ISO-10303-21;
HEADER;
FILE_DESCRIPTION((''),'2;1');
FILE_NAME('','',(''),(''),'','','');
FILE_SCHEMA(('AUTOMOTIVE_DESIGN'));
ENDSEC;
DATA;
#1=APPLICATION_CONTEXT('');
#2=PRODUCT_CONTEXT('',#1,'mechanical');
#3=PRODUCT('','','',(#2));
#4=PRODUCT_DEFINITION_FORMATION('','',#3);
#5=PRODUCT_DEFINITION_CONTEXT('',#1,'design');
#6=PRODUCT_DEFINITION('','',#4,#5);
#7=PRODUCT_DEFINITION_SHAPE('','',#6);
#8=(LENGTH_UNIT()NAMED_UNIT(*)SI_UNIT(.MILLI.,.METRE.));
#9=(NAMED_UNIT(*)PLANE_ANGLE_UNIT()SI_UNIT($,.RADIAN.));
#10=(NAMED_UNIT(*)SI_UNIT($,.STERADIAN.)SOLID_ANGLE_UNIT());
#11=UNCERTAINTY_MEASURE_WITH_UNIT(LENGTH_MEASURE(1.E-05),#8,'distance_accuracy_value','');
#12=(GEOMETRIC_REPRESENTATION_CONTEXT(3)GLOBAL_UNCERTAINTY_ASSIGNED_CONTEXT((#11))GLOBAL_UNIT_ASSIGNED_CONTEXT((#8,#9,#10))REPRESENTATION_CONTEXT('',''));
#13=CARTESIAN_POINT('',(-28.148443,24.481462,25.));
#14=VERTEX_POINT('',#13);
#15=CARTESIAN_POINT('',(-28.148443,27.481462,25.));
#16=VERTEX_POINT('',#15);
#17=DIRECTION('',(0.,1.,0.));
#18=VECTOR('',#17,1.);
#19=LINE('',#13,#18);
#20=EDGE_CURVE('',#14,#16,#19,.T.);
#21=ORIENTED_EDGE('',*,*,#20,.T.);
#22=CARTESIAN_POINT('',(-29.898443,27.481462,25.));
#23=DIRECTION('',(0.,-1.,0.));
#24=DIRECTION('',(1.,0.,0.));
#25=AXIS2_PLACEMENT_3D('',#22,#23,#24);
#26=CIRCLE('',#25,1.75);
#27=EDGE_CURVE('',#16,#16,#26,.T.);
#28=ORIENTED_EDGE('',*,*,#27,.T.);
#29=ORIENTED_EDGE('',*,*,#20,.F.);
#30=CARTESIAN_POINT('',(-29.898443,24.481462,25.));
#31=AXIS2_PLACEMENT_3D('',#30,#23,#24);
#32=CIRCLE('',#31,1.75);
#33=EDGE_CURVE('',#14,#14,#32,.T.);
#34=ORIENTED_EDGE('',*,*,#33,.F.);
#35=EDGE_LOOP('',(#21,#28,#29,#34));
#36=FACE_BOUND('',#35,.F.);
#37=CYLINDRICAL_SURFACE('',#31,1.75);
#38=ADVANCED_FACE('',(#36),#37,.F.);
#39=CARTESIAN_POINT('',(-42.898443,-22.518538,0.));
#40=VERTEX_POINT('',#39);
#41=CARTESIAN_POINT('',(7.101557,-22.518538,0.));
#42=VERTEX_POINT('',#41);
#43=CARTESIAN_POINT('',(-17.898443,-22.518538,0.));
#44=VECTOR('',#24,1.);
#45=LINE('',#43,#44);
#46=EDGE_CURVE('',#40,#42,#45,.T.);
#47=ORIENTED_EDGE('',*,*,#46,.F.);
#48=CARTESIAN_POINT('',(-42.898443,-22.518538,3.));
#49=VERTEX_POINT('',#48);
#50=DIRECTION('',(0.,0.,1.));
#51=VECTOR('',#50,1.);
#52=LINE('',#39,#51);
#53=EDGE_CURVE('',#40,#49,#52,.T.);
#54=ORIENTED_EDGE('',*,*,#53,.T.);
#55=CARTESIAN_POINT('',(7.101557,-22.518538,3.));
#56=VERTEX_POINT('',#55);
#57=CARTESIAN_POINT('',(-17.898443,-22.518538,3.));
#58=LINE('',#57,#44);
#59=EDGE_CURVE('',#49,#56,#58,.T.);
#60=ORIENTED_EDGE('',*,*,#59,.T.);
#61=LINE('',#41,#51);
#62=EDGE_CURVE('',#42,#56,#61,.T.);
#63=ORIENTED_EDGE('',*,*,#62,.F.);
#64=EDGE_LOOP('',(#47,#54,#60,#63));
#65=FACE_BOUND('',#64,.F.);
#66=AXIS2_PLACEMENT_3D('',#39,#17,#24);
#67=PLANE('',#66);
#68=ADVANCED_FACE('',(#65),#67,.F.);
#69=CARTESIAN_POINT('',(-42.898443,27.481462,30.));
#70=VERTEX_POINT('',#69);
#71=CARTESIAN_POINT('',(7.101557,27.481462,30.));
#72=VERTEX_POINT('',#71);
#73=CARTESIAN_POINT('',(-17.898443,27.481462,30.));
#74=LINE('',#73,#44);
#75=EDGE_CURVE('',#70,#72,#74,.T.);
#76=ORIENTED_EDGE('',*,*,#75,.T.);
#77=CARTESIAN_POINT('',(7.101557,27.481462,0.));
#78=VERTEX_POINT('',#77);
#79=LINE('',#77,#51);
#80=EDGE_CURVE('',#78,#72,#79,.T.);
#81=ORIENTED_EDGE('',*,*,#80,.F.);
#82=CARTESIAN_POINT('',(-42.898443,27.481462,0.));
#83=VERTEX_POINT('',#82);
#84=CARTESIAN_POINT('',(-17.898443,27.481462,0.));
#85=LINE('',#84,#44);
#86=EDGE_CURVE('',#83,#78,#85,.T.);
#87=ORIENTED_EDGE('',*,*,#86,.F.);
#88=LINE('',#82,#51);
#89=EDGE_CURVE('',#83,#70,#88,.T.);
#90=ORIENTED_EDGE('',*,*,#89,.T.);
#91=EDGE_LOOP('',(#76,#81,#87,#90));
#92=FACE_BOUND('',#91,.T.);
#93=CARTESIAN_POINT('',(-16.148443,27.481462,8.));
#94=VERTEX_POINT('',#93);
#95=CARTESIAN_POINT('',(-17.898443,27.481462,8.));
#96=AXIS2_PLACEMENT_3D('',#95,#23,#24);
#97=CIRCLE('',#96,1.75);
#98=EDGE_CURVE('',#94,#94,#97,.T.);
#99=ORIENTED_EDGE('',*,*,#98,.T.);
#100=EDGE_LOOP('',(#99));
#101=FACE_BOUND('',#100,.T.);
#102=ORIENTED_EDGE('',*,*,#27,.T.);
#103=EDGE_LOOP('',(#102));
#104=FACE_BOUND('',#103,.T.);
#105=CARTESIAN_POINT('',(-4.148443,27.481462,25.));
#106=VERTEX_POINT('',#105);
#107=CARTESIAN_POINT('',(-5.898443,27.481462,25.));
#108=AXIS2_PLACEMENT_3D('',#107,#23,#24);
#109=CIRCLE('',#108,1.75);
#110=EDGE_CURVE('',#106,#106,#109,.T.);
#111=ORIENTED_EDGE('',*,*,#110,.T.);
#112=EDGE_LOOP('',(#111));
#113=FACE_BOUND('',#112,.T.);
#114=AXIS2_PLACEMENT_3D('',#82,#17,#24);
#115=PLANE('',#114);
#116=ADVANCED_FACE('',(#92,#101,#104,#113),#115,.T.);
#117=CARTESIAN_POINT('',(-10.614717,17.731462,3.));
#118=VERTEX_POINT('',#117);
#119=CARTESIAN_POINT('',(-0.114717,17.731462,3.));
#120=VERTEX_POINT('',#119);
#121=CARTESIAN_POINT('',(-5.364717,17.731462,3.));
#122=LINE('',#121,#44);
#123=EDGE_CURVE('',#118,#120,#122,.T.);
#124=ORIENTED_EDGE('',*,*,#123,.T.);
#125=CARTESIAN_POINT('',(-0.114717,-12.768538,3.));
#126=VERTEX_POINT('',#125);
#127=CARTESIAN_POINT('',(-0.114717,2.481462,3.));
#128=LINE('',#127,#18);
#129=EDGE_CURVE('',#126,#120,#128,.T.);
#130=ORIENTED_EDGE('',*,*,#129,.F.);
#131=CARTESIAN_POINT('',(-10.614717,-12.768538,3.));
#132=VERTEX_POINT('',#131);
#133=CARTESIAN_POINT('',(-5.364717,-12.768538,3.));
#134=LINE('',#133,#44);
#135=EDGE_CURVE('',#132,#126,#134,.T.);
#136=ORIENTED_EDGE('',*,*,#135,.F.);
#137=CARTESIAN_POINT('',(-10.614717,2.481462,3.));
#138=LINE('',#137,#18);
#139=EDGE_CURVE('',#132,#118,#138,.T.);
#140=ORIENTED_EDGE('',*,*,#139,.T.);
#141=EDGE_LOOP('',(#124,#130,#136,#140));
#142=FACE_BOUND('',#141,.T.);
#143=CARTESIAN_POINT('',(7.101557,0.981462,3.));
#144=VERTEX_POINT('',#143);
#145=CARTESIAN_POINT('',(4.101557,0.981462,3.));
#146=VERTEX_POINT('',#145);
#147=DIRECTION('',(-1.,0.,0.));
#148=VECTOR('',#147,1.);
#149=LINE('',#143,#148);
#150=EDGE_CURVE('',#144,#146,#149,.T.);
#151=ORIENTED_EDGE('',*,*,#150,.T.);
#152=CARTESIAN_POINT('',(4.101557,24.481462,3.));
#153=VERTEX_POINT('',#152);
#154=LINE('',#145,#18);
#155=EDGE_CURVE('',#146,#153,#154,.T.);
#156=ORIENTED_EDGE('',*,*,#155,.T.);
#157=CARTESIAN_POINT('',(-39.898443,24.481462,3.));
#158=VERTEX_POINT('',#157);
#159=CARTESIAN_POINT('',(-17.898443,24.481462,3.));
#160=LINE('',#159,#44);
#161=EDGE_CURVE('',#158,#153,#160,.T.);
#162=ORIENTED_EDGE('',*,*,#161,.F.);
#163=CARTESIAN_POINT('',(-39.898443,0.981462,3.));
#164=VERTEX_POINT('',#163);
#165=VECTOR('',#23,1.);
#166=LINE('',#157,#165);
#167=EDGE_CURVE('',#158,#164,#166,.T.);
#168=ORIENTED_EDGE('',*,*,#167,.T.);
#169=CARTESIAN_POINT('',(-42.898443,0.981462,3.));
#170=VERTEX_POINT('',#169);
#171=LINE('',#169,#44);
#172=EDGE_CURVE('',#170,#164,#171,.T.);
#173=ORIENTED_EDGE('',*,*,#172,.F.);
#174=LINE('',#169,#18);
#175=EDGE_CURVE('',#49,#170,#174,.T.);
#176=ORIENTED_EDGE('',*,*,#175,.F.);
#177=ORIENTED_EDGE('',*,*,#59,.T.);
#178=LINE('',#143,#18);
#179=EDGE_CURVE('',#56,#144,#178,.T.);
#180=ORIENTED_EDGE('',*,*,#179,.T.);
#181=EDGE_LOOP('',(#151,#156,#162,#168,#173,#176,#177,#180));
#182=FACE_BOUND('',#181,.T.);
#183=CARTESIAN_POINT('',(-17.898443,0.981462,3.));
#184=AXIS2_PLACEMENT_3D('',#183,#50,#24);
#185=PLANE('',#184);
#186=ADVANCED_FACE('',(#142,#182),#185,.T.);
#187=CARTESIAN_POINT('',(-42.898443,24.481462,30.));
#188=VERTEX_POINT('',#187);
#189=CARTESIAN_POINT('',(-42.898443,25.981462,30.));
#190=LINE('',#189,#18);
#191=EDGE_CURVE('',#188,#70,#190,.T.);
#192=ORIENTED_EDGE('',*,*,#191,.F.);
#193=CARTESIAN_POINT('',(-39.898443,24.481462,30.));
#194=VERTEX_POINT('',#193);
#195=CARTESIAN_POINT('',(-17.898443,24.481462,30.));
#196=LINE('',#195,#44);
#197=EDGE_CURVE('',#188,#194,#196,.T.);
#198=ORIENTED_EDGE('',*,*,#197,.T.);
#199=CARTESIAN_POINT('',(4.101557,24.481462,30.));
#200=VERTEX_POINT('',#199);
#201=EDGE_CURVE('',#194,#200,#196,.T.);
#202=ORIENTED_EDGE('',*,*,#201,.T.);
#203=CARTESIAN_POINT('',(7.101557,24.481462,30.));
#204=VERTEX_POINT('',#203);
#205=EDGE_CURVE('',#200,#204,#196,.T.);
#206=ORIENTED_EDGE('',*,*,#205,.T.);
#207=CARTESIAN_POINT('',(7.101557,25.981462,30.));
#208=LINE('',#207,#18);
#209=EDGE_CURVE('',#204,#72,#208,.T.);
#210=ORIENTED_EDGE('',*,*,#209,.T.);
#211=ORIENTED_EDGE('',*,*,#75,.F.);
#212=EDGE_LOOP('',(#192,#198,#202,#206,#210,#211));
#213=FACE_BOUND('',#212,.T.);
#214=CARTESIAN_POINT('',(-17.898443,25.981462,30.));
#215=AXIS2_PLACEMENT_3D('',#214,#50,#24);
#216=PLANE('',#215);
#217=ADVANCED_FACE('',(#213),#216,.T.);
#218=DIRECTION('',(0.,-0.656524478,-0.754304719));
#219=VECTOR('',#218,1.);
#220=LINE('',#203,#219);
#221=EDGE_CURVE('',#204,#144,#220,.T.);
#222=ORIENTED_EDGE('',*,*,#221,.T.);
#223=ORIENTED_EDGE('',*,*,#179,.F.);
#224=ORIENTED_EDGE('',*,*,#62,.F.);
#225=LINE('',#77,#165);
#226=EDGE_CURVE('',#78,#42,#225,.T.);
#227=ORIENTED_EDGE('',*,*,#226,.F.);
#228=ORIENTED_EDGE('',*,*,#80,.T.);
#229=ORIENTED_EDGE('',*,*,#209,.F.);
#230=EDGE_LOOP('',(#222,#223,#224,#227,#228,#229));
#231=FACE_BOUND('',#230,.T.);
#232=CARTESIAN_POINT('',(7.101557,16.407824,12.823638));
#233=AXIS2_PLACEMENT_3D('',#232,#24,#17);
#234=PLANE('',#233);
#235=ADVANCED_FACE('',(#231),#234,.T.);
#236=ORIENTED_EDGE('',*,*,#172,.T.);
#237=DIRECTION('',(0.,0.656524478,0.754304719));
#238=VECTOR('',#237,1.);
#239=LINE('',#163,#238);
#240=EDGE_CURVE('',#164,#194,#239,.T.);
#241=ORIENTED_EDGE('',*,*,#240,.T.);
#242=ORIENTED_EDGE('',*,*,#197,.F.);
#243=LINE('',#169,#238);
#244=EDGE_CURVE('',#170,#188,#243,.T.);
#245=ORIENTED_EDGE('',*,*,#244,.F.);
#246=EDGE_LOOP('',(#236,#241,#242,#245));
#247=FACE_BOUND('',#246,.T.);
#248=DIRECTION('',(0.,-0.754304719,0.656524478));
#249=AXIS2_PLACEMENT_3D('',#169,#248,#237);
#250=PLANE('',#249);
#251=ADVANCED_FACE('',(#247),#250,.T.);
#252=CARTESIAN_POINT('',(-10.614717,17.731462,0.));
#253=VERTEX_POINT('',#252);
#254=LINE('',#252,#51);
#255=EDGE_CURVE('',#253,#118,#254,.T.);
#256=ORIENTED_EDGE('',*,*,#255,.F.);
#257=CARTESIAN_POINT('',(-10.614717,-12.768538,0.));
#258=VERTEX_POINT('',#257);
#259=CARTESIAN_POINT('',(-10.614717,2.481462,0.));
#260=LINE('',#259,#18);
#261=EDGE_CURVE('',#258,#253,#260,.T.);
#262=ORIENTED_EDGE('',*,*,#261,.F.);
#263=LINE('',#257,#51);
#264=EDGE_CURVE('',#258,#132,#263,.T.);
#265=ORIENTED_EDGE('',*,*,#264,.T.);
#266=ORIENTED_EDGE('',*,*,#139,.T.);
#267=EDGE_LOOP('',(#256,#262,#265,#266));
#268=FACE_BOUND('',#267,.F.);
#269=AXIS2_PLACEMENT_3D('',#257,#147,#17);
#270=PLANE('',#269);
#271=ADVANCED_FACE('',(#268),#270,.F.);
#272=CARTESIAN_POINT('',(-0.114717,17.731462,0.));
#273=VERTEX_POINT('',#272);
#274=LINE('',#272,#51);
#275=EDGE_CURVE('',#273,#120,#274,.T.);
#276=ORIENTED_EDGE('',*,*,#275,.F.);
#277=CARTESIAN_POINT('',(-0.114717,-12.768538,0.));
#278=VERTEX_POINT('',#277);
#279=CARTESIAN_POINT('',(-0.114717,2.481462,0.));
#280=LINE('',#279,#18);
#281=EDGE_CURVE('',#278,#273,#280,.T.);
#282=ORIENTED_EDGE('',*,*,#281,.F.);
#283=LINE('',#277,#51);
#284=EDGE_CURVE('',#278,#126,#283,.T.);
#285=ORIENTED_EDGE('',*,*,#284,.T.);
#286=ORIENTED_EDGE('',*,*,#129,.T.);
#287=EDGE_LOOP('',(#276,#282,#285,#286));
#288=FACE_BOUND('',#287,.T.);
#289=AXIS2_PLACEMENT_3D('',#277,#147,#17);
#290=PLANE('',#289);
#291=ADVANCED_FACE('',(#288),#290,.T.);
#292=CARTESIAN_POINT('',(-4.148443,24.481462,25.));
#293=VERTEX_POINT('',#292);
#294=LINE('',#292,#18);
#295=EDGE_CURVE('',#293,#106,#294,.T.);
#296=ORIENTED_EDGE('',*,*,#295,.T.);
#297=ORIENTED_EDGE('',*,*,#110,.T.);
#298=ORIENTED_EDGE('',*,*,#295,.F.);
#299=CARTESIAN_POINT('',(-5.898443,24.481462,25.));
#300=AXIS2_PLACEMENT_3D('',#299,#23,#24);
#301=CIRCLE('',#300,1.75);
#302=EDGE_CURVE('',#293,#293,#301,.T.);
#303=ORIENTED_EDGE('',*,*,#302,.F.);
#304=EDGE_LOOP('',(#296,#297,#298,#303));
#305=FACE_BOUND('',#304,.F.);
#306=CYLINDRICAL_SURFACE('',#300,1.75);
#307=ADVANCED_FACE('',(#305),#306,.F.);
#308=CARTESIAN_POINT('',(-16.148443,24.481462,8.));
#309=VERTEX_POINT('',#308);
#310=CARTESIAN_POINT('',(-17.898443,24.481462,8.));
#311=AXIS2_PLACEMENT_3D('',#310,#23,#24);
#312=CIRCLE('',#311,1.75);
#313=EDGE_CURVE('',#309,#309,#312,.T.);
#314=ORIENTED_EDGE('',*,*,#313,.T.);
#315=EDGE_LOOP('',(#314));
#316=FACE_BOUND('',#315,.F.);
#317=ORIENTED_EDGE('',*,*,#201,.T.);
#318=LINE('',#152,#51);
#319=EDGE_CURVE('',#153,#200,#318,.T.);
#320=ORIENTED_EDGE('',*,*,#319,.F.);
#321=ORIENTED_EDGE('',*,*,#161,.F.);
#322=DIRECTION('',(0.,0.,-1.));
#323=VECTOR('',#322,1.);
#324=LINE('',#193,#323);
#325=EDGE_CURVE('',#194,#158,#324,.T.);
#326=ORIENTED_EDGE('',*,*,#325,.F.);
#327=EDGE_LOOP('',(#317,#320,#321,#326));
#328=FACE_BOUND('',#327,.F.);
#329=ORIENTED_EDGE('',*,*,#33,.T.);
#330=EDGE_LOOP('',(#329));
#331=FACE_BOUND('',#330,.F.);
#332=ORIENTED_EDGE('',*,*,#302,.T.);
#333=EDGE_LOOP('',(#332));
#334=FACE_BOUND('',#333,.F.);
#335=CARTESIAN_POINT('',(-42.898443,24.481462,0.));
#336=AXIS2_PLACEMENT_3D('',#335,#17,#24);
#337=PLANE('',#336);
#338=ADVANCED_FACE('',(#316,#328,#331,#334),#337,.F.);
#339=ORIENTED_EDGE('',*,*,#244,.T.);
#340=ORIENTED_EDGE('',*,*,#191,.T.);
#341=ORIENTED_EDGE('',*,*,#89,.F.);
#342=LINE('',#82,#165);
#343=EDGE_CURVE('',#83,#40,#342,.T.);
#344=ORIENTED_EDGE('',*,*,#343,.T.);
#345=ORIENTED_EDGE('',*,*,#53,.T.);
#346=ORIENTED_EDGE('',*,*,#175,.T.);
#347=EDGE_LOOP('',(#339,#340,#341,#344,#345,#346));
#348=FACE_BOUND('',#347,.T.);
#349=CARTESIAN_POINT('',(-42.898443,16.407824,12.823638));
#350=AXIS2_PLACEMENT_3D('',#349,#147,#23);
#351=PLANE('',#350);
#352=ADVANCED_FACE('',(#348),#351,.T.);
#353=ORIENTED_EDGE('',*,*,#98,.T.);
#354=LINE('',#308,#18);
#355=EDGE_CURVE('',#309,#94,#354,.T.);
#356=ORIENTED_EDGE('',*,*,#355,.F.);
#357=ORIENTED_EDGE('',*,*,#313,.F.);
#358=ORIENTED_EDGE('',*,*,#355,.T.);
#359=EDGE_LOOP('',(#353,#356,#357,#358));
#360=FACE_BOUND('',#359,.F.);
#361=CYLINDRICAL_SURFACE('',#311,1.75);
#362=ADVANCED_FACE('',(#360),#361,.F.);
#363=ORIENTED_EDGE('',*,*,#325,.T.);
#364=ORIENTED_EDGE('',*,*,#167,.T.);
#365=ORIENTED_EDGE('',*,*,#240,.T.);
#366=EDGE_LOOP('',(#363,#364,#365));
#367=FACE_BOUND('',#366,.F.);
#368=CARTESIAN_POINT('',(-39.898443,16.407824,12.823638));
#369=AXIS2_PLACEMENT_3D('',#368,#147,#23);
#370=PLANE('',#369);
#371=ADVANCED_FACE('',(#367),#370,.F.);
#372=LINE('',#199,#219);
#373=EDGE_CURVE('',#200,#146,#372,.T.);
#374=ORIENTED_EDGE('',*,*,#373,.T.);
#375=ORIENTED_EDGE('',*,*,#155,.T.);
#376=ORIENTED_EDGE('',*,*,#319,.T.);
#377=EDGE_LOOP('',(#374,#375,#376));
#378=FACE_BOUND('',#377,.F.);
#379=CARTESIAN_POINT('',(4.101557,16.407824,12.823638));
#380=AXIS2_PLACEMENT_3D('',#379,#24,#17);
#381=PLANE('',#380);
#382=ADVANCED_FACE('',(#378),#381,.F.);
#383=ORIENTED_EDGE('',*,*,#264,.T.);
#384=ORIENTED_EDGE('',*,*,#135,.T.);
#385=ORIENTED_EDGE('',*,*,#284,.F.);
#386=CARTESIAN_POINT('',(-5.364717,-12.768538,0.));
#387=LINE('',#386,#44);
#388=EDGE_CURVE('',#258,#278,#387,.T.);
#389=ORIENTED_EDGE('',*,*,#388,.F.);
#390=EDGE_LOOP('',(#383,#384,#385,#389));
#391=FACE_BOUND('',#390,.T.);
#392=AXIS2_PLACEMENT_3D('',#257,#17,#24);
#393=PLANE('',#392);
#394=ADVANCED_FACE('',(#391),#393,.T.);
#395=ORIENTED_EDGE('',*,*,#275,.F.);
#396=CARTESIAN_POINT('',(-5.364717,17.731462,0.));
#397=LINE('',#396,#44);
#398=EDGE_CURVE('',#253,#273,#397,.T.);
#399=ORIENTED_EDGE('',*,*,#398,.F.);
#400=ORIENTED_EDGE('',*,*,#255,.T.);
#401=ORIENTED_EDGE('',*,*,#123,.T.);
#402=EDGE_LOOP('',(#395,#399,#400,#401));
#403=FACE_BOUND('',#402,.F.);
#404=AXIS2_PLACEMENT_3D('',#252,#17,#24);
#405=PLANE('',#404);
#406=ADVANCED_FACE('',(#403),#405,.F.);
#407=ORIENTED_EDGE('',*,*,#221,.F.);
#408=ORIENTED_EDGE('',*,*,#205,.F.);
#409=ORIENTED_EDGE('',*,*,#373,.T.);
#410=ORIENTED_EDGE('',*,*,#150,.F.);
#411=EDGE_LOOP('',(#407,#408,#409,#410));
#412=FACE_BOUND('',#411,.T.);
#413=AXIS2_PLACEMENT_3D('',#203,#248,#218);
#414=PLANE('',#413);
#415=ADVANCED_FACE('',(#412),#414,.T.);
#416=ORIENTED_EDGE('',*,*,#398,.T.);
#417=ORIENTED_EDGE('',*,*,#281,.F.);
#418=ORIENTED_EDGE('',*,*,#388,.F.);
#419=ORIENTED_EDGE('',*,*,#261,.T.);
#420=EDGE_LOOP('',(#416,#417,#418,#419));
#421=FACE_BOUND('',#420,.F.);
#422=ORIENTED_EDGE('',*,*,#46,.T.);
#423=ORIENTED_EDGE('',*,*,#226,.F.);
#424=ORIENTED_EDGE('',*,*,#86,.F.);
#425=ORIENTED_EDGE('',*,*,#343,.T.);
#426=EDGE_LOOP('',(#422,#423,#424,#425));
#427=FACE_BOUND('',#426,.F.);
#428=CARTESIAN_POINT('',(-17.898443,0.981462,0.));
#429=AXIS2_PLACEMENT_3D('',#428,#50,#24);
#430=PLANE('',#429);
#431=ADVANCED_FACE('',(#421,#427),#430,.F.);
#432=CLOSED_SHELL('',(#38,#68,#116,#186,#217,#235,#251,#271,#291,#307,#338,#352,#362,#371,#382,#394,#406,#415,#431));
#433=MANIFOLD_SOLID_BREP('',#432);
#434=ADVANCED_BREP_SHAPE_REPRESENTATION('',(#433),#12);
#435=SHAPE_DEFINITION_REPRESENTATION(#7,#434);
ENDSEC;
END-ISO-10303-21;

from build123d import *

# Parameters (mm, degrees)
F0_W     = 50
F0_H     = 3
F1_DEPTH = 30
F0_H_2   = 47
F0_W_2   = 10.5
F0_H_3   = 30.5
F2_DEPTH = 3
F4_DEPTH = 3
F6_DEPTH = 3
F7_R     = 1.75
F8_DEPTH = 3


with BuildPart() as f1:
    # F0 (on Top) → F1 (new body)
    with BuildSketch(Plane.XY):
        with Locations((-17.8984425962, 25.9814620614)):
            Rectangle(F0_W, F0_H)
    extrude(amount=F1_DEPTH)

    # F0 (on Top) → F2 (join)
    with BuildSketch(Plane.XY):
        with Locations((-17.8984425962, 0.9814620614)):
            Rectangle(F0_W, F0_H_2)
        with Locations((-30.4321678579, 2.4814620614)):
            Rectangle(F0_W_2, F0_H_3, mode=Mode.SUBTRACT)
        with Locations((-5.3647173345, 2.4814620614)):
            Rectangle(F0_W_2, F0_H_3, mode=Mode.SUBTRACT)
        with Locations((-30.4321678579, 2.4814620614)):
            Rectangle(F0_W_2, F0_H_3)
    extrude(amount=F2_DEPTH)

    # F3 (on face) → F4 (join)
    with BuildSketch(Plane(origin=(-42.8984425962, 0, 0), x_dir=(0, -1, 0), z_dir=(-1, 0, 0))):
        Polygon((-0.9814620614, 3), (-24.4814620614, 30), (-24.4814620614, 3), align=None)
    extrude(amount=-F4_DEPTH)

    # F5 (on face) → F6 (join)
    with BuildSketch(Plane.YZ.offset(7.1015574038)):
        Polygon((24.4814620614, 3), (24.4814620614, 30), (0.9814620614, 3), align=None)
    extrude(amount=-F6_DEPTH)

    # F7 (on face) → F8 (cut)
    with BuildSketch(Plane.XZ.offset(-24.4814620614)):
        with Locations((-29.8984425962, 25)):
            Circle(F7_R)
        with Locations((-5.8984425962, 25)):
            Circle(F7_R)
        with Locations((-17.8984425962, 8)):
            Circle(F7_R)
    extrude(amount=-F8_DEPTH, mode=Mode.SUBTRACT)


solid = f1.part
